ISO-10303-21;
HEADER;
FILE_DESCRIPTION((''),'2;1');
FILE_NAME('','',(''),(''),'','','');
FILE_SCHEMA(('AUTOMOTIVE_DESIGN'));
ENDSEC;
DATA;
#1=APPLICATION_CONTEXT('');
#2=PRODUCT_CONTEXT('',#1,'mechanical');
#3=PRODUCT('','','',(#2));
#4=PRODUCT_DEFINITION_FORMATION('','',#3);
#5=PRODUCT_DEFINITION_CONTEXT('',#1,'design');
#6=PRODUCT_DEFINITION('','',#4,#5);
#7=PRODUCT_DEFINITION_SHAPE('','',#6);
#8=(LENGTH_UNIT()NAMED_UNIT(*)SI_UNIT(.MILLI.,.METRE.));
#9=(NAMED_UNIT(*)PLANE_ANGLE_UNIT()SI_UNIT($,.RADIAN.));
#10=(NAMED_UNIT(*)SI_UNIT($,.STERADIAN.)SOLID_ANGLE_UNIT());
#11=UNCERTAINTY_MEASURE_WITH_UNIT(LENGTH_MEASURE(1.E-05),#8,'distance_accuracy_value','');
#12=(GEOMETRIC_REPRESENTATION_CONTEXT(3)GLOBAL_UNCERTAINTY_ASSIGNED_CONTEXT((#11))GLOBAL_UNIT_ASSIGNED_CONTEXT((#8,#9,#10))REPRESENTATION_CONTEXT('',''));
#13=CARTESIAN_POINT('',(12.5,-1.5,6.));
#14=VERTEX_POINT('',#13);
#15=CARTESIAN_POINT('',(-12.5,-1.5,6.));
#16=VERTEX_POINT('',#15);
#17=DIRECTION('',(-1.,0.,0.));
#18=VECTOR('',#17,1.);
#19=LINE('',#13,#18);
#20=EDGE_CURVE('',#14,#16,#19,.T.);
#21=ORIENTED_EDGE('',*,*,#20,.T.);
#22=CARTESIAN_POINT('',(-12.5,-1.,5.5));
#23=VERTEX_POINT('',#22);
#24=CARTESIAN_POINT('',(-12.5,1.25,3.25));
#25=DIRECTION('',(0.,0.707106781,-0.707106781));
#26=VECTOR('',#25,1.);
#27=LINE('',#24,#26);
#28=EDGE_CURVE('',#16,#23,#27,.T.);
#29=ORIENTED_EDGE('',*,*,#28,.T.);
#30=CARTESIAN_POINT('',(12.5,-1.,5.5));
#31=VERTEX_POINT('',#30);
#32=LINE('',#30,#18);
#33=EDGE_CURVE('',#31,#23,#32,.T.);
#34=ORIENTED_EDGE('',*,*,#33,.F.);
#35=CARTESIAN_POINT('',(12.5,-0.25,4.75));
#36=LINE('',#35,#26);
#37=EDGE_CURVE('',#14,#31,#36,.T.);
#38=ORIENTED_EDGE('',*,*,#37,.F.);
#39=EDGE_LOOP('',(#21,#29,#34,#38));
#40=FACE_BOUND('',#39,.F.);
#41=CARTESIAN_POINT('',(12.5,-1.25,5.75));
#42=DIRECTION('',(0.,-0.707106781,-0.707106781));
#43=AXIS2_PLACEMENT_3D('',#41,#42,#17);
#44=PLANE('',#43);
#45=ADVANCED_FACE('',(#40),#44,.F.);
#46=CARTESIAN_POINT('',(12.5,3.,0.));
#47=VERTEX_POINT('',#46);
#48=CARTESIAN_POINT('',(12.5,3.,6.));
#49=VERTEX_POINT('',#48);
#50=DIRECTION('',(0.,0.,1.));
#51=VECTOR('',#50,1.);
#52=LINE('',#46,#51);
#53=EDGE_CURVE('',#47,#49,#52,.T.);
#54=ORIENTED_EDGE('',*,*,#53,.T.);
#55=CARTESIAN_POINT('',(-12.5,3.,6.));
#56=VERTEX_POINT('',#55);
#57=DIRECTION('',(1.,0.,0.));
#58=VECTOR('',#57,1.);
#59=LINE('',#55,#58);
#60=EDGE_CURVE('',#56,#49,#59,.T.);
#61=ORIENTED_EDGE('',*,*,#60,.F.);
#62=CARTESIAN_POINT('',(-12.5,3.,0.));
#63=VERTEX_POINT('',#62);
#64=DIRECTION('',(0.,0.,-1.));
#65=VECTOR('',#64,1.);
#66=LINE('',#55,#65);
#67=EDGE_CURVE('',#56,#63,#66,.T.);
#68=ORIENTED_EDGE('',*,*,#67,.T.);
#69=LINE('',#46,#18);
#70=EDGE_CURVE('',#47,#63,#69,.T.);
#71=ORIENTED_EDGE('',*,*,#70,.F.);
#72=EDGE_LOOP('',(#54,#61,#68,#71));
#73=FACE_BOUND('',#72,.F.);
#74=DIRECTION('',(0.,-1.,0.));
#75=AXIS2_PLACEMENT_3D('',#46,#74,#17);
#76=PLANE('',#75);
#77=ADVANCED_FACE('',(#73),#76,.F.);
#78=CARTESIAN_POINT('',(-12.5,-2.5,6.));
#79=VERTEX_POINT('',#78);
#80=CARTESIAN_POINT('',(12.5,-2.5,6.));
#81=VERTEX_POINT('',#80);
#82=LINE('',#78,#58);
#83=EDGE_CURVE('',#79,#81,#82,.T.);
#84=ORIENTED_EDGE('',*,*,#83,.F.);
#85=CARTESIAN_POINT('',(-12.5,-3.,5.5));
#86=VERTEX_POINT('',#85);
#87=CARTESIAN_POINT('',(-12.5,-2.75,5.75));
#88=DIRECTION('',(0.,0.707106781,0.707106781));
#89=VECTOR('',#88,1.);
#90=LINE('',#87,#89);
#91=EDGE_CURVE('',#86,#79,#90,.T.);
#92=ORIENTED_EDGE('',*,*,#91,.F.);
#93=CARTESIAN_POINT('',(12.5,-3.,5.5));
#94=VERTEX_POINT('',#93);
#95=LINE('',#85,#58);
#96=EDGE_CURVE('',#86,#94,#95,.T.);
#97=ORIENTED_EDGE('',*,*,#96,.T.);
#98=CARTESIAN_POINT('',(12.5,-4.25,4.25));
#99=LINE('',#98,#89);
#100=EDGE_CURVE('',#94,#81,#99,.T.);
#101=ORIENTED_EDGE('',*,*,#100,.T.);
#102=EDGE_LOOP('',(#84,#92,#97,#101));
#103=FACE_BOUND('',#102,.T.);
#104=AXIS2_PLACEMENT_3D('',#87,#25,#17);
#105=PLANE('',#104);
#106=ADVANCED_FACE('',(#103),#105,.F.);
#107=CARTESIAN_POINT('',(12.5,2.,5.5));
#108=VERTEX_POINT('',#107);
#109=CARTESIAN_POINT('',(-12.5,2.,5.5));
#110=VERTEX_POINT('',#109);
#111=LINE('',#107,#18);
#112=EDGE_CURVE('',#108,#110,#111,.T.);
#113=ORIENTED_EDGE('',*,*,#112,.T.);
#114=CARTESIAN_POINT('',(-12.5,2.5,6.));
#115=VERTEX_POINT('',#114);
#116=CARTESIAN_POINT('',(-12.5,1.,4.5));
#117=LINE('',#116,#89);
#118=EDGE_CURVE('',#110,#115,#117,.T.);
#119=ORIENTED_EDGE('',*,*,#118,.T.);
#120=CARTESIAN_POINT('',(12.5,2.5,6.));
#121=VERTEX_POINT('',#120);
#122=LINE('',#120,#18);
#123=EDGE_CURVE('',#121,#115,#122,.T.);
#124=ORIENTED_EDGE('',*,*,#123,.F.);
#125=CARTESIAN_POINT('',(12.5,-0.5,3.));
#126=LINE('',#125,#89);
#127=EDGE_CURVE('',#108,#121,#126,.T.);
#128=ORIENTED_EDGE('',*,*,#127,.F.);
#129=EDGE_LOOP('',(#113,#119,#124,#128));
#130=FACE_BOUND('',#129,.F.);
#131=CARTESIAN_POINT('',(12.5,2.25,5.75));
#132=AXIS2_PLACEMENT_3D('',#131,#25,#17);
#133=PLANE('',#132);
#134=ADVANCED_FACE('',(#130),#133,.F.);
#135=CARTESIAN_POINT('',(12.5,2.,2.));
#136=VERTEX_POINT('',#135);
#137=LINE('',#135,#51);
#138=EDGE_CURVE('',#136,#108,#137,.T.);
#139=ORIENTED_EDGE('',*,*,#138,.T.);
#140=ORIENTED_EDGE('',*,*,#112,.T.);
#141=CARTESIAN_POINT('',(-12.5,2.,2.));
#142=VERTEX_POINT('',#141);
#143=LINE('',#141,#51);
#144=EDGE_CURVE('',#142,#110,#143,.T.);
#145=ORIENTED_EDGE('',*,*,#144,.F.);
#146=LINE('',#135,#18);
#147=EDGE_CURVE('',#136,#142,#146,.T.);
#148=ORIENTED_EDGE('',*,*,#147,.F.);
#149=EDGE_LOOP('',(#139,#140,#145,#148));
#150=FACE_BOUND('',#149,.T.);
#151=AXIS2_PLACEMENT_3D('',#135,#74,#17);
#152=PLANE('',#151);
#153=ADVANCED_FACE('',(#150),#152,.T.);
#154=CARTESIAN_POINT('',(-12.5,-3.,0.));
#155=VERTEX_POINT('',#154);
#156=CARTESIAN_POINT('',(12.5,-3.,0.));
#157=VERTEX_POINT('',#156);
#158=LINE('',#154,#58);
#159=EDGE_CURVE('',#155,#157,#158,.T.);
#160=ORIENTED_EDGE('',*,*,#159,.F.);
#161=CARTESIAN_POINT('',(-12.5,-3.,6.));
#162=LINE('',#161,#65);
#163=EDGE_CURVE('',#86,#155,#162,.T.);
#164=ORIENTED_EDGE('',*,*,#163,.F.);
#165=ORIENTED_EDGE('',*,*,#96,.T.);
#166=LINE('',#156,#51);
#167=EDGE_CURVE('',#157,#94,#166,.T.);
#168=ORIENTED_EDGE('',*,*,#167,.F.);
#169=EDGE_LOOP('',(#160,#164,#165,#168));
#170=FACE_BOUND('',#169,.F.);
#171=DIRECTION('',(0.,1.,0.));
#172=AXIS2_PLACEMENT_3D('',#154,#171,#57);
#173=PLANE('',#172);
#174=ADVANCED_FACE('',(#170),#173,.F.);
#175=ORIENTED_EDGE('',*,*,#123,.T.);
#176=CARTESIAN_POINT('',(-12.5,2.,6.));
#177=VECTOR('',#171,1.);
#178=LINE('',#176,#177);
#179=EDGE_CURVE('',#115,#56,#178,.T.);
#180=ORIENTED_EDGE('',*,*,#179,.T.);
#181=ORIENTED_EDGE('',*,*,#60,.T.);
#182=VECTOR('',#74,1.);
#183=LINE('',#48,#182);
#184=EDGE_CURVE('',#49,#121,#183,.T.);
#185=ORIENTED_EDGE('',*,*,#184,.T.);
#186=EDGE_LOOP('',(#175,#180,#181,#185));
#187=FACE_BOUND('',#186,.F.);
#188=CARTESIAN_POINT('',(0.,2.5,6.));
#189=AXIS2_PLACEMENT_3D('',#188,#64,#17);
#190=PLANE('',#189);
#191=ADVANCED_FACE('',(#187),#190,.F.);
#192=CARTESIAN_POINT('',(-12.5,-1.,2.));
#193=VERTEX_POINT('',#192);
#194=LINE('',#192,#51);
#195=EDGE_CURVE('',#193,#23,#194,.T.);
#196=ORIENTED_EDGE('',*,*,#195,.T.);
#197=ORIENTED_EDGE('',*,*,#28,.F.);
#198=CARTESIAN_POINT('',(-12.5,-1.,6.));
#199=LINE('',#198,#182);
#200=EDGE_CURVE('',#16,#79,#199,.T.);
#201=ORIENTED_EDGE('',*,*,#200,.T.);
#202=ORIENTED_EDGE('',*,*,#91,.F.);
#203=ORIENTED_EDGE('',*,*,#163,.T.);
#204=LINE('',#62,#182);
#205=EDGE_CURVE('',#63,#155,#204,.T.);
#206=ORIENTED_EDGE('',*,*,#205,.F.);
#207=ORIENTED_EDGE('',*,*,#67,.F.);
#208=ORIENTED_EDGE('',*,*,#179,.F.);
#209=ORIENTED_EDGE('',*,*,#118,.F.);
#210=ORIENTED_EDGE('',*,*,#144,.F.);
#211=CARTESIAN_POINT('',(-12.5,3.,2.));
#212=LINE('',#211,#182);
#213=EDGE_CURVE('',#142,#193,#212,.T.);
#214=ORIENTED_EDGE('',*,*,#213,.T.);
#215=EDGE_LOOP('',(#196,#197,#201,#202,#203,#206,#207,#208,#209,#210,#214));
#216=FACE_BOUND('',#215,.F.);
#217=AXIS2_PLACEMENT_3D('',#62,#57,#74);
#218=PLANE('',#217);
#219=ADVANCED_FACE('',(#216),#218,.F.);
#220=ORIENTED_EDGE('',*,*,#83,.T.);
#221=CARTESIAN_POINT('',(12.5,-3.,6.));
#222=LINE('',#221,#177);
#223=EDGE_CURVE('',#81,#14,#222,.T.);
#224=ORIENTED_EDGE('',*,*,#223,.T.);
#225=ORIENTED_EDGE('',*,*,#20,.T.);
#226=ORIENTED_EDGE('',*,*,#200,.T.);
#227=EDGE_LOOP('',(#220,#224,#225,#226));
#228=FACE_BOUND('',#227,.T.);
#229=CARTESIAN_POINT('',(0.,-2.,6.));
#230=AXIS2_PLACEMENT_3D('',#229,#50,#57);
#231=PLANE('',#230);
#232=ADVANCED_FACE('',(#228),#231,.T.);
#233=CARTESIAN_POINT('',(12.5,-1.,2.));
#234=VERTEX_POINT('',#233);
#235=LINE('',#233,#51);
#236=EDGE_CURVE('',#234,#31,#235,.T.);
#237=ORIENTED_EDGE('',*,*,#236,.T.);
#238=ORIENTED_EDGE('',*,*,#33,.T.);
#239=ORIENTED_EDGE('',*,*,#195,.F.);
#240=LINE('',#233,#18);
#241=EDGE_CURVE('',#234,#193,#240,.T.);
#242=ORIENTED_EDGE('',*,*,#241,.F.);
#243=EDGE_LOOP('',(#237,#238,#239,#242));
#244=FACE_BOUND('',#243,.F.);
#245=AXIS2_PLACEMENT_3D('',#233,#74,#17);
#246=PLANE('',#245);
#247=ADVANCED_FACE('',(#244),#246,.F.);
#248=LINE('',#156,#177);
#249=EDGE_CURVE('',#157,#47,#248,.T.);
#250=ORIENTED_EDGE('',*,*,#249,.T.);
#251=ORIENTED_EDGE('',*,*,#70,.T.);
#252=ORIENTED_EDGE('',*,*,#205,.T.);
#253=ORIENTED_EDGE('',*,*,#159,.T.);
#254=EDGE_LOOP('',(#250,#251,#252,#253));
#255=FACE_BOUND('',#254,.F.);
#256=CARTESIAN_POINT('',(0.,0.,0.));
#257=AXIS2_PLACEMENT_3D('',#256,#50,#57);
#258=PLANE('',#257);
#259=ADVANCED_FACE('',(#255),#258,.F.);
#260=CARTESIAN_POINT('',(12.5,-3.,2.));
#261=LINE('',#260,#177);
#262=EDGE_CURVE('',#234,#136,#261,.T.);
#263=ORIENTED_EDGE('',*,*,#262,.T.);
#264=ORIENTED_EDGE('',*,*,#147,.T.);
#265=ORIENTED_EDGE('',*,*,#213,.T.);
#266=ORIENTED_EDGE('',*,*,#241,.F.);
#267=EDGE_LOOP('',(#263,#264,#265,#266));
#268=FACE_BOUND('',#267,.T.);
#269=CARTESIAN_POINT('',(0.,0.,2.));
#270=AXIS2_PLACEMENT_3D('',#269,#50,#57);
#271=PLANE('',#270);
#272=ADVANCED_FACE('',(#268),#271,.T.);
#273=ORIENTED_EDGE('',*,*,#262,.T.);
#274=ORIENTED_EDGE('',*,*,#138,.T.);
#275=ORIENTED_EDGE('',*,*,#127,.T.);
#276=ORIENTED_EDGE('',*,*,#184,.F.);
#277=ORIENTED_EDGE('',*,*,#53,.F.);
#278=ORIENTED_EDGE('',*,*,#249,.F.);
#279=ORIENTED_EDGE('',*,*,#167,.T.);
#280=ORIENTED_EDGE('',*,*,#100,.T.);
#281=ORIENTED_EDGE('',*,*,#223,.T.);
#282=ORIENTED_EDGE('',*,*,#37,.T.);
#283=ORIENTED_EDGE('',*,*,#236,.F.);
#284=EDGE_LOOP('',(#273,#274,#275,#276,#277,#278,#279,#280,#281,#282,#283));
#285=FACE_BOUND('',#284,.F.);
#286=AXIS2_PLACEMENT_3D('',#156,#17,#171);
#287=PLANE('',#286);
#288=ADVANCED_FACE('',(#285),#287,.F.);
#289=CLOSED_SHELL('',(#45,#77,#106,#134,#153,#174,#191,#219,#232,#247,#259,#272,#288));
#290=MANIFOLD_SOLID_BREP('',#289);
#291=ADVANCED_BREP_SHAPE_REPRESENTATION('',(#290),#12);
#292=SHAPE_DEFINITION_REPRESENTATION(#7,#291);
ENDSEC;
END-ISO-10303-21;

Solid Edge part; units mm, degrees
sketch "Sketch1" plane through (0, 0, 0) normal (0, 0, 1) x (1, 0, 0)
  line L0 (-12.5, -3) -> (12.5, -3)
  line L1 (12.5, -3) -> (12.5, 3)
  line L2 (12.5, 3) -> (-12.5, 3)
  line L3 (-12.5, 3) -> (-12.5, -3)
  dimension "D1" = 25
  dimension "D2" = 6
extrude "Protrusion1" add sketch "Sketch1" along normal blind 2
sketch "Sketch2" plane through (0, 0, 2) normal (0, 0, 1) x (1, 0, 0)
  line L0 (-12.5, 3) -> (12.5, 3)
  line L1 (12.5, 3) -> (12.5, 2)
  line L2 (12.5, 2) -> (-12.5, 2)
  line L3 (-12.5, 2) -> (-12.5, 3)
  line L4 (-12.5, -3) -> (12.5, -3)
  line L5 (12.5, -3) -> (12.5, -1)
  line L6 (12.5, -1) -> (-12.5, -1)
  line L7 (-12.5, -1) -> (-12.5, -3)
  dimension "D1" = 2
  dimension "D2" = 1
extrude "Extrusionsausprägung_2" add sketch "Sketch2" along normal blind 4
chamfer "Fase_1" distance 0.5 angle 45 3 edges at (0, -3, 6) (0, -1, 6) (0, 2, 6)
